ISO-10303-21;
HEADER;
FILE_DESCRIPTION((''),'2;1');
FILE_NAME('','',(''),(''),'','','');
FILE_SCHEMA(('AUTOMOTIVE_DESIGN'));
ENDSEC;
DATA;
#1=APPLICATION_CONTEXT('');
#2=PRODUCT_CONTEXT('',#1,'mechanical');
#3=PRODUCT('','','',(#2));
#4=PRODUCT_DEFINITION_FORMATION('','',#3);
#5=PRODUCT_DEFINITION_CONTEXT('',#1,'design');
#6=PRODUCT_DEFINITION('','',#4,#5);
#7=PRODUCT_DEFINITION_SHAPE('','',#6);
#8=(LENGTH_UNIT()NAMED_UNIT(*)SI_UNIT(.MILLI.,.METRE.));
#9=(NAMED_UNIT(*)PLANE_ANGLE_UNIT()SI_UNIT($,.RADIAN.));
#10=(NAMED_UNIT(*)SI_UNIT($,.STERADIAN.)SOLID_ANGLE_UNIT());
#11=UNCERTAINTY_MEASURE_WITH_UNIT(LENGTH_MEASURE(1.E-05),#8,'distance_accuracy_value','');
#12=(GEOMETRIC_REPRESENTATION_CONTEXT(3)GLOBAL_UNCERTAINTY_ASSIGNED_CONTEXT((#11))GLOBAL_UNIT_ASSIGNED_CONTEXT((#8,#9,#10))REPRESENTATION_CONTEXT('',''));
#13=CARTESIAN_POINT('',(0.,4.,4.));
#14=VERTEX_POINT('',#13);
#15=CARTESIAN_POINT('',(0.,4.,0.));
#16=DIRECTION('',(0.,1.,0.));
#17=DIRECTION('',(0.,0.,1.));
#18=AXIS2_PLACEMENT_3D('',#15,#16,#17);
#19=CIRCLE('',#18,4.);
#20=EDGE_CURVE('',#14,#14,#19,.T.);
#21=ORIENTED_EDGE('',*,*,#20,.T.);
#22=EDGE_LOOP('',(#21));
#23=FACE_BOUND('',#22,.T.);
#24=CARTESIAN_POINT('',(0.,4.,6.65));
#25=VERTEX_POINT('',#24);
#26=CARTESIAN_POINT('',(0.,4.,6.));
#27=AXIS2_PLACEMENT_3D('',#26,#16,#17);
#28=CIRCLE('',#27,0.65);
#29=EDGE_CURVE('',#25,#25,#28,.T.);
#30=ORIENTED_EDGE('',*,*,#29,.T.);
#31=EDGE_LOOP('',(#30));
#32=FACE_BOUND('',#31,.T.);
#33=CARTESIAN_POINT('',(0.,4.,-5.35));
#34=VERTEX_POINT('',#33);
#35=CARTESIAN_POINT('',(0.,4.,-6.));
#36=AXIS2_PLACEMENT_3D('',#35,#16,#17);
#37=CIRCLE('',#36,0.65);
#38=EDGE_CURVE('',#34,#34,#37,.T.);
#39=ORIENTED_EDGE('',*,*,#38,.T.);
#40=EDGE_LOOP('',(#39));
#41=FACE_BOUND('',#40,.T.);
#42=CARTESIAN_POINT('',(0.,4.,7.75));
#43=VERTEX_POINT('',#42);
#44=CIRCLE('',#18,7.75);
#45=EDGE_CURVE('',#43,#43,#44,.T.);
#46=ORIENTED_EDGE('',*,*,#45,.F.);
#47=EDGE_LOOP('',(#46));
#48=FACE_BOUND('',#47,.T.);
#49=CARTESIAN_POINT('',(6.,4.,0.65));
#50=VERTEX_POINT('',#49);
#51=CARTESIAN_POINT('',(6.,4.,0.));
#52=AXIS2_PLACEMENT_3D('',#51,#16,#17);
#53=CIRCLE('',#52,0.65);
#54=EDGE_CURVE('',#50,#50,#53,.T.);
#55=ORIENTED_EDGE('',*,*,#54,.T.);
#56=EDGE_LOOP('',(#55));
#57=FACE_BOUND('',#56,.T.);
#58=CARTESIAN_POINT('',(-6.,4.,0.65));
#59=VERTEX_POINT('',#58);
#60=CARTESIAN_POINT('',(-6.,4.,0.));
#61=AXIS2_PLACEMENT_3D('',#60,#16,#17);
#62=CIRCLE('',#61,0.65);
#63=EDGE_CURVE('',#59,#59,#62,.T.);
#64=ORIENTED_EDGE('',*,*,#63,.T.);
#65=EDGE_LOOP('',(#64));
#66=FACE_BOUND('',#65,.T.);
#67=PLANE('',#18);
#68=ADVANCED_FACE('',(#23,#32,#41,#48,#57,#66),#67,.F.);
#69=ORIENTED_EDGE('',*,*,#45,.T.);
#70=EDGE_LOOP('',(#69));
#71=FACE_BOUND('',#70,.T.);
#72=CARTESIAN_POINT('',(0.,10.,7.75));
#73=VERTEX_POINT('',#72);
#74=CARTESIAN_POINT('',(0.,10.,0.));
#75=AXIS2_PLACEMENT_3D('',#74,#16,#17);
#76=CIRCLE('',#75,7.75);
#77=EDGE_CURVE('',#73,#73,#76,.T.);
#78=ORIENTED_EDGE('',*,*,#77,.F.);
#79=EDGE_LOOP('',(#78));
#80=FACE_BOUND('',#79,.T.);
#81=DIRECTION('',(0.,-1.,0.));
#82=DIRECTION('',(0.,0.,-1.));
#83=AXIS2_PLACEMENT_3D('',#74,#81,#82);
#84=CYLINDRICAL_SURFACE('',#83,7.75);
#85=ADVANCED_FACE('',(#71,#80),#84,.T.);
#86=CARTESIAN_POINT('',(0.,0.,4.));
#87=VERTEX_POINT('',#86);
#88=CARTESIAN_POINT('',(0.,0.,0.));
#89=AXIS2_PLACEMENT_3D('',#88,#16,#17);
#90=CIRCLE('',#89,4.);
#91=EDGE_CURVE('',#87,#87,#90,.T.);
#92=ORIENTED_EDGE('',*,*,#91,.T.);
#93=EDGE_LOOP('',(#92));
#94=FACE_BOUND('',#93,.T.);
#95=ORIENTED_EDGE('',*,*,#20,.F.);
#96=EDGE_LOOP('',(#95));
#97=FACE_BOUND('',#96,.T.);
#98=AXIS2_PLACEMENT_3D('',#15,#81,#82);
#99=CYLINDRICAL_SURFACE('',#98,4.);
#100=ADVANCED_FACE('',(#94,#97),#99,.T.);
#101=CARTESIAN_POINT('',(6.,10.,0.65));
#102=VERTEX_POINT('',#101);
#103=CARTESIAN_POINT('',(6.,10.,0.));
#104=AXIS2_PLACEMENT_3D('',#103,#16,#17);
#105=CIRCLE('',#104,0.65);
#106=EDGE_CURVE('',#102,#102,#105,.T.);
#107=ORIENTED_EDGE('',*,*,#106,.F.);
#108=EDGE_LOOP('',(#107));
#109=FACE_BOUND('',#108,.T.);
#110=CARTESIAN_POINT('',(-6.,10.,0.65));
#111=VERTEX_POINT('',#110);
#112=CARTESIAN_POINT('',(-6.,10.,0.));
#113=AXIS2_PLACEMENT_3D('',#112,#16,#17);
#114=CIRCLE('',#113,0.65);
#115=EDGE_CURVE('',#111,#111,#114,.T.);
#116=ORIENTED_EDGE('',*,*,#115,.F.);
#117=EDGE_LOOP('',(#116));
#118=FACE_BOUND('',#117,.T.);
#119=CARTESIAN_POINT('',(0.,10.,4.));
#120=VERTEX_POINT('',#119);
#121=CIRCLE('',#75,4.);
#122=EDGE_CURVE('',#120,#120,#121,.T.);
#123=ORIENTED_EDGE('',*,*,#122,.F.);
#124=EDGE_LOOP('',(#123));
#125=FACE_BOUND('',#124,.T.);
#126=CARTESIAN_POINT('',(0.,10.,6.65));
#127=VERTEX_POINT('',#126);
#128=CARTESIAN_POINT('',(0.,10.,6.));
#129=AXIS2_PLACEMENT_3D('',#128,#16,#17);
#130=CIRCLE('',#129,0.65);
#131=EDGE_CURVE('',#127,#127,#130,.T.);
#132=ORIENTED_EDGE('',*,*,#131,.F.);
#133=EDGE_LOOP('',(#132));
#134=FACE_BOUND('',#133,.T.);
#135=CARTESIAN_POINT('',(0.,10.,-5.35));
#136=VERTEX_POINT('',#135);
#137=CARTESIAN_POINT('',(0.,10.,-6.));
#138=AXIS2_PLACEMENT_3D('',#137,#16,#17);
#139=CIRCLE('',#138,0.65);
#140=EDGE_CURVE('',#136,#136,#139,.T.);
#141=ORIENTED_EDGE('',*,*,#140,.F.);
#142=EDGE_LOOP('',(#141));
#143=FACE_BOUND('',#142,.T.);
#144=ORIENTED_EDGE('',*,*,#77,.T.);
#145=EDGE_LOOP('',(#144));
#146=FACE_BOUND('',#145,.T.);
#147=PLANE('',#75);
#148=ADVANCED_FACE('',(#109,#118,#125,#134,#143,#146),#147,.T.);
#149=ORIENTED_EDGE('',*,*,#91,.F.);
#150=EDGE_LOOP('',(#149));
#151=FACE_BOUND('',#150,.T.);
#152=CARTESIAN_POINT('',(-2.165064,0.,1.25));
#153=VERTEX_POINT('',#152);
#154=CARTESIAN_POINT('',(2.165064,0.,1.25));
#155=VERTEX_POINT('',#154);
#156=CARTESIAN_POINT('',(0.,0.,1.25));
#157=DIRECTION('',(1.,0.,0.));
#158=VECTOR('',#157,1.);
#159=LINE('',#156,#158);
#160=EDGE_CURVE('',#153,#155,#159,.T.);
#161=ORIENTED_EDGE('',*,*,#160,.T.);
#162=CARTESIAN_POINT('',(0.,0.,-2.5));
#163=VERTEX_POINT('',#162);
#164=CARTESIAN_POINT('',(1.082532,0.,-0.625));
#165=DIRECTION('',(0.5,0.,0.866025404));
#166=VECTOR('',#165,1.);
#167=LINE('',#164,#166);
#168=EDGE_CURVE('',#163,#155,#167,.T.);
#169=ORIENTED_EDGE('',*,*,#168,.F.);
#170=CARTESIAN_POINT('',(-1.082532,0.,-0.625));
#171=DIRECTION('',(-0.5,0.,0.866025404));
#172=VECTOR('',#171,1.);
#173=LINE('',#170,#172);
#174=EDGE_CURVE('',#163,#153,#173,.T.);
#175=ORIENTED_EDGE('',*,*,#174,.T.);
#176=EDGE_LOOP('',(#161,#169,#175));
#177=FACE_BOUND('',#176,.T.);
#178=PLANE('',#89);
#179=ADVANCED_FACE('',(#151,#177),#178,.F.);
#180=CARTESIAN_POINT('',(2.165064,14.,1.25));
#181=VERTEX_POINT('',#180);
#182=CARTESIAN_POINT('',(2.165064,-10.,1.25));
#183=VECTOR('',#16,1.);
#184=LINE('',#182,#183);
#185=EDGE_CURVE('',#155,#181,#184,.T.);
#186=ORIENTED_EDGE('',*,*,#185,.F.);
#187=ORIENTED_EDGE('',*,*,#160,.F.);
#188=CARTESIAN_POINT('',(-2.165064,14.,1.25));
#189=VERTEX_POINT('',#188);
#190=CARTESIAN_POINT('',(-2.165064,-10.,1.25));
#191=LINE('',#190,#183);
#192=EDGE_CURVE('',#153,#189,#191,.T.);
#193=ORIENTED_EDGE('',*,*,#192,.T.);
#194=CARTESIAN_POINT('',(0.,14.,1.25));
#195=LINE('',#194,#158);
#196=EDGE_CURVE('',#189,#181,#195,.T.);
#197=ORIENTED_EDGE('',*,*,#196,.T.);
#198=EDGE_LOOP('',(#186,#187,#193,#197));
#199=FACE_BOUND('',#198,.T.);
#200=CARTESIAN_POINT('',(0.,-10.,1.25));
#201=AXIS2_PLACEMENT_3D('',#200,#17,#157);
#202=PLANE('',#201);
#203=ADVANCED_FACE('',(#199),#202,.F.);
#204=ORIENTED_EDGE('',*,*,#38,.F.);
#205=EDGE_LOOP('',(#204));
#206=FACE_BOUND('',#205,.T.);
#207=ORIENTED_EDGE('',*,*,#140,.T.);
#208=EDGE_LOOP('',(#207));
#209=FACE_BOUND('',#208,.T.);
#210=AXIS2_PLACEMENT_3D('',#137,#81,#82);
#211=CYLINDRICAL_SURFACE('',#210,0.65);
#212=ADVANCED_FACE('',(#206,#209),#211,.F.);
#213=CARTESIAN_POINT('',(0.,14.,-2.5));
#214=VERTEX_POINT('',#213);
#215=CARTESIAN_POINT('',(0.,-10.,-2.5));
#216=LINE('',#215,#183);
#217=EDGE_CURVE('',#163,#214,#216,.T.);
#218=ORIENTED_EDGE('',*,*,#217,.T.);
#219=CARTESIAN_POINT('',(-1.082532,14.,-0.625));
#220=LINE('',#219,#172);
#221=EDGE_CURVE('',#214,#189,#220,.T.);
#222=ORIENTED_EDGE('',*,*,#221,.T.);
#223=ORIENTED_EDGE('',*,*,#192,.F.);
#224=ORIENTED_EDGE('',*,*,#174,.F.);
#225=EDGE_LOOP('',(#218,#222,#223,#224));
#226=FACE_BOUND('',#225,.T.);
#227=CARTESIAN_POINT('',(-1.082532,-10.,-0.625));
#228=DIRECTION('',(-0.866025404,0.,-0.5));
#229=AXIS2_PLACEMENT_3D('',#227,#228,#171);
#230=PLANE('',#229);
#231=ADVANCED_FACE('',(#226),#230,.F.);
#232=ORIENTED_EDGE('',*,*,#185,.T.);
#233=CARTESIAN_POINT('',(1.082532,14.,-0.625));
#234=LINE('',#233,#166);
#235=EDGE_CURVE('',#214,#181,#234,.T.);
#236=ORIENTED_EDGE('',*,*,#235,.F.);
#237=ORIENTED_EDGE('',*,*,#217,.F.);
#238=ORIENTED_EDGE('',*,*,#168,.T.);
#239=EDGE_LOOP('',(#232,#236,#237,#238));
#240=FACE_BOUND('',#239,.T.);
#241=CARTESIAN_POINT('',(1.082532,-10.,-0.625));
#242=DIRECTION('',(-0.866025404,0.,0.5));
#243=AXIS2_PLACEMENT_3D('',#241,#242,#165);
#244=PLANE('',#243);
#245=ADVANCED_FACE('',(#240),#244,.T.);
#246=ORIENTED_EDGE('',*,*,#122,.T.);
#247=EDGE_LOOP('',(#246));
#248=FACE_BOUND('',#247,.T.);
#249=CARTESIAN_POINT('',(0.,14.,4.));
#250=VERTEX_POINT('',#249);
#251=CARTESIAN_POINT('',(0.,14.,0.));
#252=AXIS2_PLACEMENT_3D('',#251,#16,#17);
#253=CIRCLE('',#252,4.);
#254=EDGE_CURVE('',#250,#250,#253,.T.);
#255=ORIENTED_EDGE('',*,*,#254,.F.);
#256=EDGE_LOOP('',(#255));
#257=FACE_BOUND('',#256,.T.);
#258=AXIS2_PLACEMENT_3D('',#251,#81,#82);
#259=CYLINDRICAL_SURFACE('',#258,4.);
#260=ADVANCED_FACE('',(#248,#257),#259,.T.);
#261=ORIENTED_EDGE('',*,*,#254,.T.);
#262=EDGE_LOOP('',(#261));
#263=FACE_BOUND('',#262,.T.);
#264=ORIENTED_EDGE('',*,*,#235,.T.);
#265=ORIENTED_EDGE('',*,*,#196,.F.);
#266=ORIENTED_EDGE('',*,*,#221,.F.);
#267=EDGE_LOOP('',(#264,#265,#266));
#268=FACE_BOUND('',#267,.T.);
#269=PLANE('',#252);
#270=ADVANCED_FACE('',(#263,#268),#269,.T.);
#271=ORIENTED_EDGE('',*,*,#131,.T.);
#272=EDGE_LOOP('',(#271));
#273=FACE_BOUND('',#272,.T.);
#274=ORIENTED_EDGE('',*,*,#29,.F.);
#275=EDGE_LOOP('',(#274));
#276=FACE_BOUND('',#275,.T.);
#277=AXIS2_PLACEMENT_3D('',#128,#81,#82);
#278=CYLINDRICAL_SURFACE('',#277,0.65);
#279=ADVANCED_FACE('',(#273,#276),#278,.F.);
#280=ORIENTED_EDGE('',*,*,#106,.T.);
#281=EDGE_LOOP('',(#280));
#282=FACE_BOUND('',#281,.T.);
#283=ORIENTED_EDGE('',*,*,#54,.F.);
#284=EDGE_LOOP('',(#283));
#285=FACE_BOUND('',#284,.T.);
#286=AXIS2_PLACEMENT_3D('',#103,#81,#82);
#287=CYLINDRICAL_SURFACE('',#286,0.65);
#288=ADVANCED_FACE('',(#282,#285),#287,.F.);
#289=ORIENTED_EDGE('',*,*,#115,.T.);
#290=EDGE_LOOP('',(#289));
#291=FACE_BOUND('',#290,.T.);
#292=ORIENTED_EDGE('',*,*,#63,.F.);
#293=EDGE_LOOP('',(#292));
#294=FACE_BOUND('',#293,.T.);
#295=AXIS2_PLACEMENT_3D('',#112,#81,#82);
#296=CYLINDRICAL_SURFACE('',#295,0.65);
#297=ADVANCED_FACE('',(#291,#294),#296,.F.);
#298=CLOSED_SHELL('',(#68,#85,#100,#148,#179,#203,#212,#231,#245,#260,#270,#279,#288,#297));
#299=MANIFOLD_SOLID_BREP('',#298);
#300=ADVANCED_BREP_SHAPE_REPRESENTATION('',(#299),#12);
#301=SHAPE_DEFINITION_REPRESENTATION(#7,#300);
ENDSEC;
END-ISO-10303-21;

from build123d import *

# Parameters (mm, degrees)
SKETCH1_R           = 4
BOSS_EXTRUDE1_DEPTH = 4
SKETCH2_R           = 7.75
SKETCH2_R_2         = 0.65
BOSS_EXTRUDE2_DEPTH = 6
SKETCH3_R           = 4
BOSS_EXTRUDE3_DEPTH = 4
CUT_EXTRUDE1_DEPTH  = 24


with BuildPart() as part:
    # Sketch1 → Boss-Extrude1 (new body)
    with BuildSketch(Plane(origin=(0, 0, 0), x_dir=(1, 0, 0), z_dir=(0, 1, 0))):
        with Locations(Location((0, 0, 0), (0, 0, 270))):
            Circle(SKETCH1_R)
    extrude(amount=BOSS_EXTRUDE1_DEPTH)

    # Sketch2 → Boss-Extrude2 (add)
    with BuildSketch(Plane(origin=(0, 4, 0), x_dir=(1, 0, 0), z_dir=(0, 1, 0))):
        with Locations(Location((0, 0, 0), (0, 0, 270))):
            Circle(SKETCH2_R)
        with Locations(Location((0, 6, 0), (0, 0, 270))):
            Circle(SKETCH2_R_2, mode=Mode.SUBTRACT)
        with Locations(Location((6, 0, 0), (0, 0, 270))):
            Circle(SKETCH2_R_2, mode=Mode.SUBTRACT)
        with Locations(Location((0, -6, 0), (0, 0, 270))):
            Circle(SKETCH2_R_2, mode=Mode.SUBTRACT)
        with Locations(Location((-6, 0, 0), (0, 0, 270))):
            Circle(SKETCH2_R_2, mode=Mode.SUBTRACT)
    extrude(amount=BOSS_EXTRUDE2_DEPTH)

    # Sketch3 → Boss-Extrude3 (add)
    with BuildSketch(Plane(origin=(0, 10, 0), x_dir=(1, 0, 0), z_dir=(0, 1, 0))):
        with Locations(Location((0, 0, 0), (0, 0, 270))):
            Circle(SKETCH3_R)
    extrude(amount=BOSS_EXTRUDE3_DEPTH)

    # Sketch4 → Cut-Extrude1 (cut)
    with BuildSketch(Plane(origin=(0, 14, 0), x_dir=(1, 0, 0), z_dir=(0, 1, 0))):
        Polygon((0, 2.5), (2.165063509, -1.25), (-2.165063509, -1.25), align=None)
    extrude(amount=-CUT_EXTRUDE1_DEPTH, mode=Mode.SUBTRACT)


solid = part.part
